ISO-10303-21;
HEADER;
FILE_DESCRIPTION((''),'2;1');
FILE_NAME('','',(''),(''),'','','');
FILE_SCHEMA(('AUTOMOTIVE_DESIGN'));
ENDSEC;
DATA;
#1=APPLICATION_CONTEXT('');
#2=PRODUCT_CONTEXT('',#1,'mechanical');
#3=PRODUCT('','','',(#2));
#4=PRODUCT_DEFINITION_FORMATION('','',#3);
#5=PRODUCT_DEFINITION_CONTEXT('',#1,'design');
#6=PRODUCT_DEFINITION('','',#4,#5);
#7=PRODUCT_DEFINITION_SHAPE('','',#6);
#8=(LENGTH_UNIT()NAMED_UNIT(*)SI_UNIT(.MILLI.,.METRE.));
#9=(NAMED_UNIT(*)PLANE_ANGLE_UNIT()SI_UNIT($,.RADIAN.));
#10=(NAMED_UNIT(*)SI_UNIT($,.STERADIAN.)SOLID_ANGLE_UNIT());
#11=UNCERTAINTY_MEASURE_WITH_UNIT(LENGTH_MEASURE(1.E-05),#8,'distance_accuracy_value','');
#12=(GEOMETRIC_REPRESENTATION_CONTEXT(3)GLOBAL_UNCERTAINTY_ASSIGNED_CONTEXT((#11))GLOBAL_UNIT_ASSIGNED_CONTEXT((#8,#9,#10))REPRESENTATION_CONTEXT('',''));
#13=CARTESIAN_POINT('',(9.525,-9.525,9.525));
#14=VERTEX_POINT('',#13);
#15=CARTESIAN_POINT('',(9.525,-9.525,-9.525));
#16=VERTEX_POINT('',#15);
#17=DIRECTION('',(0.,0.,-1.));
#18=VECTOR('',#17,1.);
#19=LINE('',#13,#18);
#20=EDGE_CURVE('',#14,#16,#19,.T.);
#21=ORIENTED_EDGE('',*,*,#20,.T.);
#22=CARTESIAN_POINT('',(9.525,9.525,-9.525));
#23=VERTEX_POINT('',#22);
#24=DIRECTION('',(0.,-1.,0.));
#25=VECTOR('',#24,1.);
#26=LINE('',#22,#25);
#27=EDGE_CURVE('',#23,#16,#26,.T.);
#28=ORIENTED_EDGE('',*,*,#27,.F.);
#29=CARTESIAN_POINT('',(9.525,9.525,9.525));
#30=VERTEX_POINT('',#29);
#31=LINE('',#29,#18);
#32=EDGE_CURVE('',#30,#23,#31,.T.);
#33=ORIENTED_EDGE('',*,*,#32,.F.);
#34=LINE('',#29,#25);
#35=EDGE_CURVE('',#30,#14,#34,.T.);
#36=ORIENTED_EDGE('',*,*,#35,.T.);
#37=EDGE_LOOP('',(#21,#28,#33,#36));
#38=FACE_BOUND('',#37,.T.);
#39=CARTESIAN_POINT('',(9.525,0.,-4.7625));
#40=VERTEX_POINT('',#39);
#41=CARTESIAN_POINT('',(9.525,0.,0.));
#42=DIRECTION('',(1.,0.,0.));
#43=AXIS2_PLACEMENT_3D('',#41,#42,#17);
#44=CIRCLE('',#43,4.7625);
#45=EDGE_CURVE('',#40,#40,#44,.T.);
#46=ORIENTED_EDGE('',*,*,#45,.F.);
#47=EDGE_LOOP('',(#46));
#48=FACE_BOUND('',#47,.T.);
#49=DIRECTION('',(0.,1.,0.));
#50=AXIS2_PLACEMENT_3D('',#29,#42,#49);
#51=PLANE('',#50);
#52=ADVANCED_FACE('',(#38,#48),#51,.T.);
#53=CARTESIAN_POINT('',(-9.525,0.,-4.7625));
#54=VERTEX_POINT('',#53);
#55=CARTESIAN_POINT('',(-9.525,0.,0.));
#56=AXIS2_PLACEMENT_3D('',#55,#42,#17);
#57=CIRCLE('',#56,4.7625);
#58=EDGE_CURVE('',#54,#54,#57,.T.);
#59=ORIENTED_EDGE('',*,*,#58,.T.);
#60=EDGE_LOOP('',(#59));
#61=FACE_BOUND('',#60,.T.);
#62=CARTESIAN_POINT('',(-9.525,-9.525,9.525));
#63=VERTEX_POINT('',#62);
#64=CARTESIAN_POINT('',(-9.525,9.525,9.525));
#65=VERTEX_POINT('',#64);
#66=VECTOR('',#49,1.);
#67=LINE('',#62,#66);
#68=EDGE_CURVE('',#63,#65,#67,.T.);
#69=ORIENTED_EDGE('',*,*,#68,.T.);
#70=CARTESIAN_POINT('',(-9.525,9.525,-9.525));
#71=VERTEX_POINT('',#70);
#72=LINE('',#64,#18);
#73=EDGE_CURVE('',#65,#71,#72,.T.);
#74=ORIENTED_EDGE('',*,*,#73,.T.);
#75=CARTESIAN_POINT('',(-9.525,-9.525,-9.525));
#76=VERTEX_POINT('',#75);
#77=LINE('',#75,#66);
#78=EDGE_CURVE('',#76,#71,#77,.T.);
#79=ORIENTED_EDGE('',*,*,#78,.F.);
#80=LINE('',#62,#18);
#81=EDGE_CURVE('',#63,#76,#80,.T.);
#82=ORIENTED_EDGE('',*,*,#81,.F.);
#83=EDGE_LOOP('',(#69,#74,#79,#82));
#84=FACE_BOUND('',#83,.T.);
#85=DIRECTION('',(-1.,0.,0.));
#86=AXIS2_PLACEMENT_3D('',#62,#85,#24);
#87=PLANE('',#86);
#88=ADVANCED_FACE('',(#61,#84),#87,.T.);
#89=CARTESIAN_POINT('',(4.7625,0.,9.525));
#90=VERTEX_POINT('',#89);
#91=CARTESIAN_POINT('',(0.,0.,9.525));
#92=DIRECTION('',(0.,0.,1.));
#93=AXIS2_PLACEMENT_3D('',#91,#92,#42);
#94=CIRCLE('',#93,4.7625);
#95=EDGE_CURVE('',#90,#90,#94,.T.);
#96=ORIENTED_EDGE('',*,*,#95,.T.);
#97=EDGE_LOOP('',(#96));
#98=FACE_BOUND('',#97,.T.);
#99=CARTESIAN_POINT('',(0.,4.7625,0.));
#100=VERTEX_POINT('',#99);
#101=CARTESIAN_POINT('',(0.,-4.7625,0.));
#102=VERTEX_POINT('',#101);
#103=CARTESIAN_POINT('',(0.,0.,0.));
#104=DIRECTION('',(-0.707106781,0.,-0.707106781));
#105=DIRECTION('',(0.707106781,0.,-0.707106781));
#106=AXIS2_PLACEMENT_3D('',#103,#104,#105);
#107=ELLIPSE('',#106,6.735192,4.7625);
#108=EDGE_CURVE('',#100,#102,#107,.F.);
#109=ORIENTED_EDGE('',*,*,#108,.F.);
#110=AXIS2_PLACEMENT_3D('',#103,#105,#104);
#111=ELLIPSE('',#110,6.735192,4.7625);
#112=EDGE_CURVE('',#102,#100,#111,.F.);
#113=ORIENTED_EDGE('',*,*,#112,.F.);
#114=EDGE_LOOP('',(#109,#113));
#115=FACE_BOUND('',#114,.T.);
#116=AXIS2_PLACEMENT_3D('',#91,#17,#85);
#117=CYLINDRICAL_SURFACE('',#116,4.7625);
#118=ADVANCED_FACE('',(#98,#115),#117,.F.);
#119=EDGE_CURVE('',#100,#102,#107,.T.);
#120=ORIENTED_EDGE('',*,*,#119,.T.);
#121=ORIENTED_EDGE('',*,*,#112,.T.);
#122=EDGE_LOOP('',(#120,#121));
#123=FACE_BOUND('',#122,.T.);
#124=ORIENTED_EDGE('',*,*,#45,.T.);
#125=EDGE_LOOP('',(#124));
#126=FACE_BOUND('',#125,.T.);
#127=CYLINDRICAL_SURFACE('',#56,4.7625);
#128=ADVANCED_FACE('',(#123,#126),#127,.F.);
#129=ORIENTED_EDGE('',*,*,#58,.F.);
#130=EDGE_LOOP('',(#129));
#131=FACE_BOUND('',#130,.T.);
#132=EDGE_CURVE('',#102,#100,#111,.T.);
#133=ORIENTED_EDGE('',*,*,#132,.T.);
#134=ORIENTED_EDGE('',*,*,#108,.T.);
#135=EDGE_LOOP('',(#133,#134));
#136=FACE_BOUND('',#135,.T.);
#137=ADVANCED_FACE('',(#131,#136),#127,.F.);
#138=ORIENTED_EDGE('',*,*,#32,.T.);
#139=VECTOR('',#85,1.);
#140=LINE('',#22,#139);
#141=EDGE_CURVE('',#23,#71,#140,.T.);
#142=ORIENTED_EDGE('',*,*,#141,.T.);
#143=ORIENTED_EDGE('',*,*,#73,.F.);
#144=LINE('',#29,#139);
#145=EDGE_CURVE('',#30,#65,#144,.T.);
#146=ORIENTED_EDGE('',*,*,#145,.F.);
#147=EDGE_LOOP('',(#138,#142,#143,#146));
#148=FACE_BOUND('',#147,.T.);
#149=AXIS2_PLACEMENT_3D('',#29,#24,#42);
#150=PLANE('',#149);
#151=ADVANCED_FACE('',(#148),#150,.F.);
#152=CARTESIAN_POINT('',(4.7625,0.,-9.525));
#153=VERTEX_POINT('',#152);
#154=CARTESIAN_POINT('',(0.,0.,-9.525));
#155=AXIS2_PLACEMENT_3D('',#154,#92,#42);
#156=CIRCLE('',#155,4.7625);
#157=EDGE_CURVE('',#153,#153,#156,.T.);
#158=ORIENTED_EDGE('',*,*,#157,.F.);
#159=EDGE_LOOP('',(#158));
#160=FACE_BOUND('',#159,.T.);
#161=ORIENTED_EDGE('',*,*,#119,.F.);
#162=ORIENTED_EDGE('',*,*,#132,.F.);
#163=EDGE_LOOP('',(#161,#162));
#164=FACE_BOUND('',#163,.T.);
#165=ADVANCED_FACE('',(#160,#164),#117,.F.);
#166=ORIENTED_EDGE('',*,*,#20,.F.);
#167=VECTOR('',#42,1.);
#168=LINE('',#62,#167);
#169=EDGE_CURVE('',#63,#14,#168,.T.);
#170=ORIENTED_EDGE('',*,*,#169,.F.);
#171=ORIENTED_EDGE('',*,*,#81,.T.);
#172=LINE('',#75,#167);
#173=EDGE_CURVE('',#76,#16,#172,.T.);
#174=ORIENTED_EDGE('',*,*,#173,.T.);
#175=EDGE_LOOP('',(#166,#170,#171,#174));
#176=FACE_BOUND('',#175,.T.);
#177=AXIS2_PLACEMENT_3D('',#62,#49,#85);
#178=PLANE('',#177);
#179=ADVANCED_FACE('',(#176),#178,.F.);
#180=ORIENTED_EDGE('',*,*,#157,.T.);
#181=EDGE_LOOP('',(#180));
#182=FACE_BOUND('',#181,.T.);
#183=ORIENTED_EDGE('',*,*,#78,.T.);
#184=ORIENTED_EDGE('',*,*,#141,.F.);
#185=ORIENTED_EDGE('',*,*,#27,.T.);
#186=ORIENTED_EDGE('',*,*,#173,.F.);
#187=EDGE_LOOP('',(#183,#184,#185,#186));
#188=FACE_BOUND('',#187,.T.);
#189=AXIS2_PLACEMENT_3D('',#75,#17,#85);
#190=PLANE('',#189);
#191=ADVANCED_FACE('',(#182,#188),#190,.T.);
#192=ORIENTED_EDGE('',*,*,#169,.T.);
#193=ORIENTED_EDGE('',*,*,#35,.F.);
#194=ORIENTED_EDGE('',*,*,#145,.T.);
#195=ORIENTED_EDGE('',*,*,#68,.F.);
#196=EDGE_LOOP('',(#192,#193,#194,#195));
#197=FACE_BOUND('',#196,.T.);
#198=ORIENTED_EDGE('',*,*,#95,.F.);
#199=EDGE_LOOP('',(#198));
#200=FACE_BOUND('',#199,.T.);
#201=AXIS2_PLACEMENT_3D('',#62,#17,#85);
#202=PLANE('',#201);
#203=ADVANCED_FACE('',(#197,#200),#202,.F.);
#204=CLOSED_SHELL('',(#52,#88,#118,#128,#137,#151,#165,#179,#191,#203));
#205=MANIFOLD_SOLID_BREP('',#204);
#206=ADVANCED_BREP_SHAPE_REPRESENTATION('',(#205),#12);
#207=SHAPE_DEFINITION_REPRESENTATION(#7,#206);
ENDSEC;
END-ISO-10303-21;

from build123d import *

# Parameters (mm, degrees)
SKETCH1_W          = 19.05
SKETCH1_H          = 19.05
SKETCH1_R          = 4.7625
BASE_EXTRUDE_DEPTH = 9.525
SKETCH3_R          = 4.7625
CUT_EXTRUDE1_DEPTH = 24.3313898


with BuildPart() as part:
    # Sketch1 → Base-Extrude (new, symmetric)
    with BuildSketch(Plane.XY):
        Rectangle(SKETCH1_W, SKETCH1_H)
        with Locations(Location((0, 0, 0), (0, 0, 180))):
            Circle(SKETCH1_R, mode=Mode.SUBTRACT)
    extrude(amount=BASE_EXTRUDE_DEPTH, both=True)

    # Sketch3 → Cut-Extrude1 (cut, through all)
    with BuildSketch(Plane(origin=(9.525, 0, 0), x_dir=(0, 0, -1), z_dir=(1, 0, 0))):
        Circle(SKETCH3_R)
    extrude(amount=-CUT_EXTRUDE1_DEPTH, mode=Mode.SUBTRACT)


solid = part.part
